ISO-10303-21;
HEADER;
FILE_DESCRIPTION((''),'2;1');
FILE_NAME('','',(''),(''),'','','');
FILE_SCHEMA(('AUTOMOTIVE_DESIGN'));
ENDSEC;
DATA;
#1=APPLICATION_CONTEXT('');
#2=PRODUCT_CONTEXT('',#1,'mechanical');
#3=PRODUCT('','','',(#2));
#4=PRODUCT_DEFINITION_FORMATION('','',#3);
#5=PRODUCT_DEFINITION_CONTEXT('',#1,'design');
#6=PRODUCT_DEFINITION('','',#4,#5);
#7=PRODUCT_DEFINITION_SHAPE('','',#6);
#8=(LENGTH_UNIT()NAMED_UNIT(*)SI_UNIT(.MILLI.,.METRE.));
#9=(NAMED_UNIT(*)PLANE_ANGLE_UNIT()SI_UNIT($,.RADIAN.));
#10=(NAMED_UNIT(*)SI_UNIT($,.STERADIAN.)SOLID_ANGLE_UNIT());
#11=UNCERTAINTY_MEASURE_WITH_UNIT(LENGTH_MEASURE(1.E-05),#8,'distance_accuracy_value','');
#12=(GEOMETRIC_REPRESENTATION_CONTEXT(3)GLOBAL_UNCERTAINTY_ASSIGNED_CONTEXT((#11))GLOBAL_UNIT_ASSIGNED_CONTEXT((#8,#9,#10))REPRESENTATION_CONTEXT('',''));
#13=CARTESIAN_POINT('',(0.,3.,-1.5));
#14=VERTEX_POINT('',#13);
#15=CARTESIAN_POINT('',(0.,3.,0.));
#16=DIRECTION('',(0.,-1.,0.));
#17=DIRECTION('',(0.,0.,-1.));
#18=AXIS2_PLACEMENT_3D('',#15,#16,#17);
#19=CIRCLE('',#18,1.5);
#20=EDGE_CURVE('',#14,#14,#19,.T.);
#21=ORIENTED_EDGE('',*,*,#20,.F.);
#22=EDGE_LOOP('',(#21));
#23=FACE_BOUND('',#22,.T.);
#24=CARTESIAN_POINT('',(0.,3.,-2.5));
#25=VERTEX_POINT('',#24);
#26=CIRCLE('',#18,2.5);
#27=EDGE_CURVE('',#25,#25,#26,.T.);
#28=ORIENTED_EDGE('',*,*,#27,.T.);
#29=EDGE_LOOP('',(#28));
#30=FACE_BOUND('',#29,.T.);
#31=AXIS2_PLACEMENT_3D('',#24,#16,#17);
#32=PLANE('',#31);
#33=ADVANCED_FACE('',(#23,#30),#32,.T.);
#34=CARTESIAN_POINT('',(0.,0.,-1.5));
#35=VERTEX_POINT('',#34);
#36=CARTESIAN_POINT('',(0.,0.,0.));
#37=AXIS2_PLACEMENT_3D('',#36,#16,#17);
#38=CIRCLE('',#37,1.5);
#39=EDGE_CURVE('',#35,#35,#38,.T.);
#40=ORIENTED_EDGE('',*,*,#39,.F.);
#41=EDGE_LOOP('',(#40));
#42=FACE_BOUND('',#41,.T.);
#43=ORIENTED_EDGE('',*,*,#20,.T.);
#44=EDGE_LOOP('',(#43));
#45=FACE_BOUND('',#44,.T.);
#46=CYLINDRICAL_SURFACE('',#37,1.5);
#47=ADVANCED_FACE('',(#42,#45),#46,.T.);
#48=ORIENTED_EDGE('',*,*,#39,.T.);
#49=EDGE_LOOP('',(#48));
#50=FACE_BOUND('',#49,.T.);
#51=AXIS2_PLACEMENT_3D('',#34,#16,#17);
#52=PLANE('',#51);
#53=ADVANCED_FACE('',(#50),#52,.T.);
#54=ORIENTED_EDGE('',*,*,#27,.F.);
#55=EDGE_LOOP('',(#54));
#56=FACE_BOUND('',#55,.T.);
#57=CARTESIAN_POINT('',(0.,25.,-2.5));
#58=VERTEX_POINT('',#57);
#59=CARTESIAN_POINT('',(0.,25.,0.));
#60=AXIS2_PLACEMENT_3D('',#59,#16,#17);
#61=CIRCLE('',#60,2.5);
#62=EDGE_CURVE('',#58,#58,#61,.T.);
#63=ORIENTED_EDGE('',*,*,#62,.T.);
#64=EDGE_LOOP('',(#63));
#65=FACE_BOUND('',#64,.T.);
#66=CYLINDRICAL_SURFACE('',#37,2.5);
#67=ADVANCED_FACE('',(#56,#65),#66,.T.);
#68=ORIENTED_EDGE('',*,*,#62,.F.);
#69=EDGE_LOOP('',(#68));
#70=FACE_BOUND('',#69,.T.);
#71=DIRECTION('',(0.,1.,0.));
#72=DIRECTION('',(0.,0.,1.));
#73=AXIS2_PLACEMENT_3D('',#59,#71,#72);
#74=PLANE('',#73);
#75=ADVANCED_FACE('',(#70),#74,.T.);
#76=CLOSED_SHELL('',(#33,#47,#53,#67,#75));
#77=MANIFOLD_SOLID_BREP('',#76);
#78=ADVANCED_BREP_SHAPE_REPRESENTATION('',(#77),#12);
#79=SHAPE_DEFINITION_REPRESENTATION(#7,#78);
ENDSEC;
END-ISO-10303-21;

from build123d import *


with BuildPart() as part:
    # Sketch1 → Revolve1 (revolve)
    with BuildSketch(Plane(origin=(0, 0, 0), x_dir=(0, 0, -1), z_dir=(1, 0, 0))):
        Polygon((0, 0), (0, 25), (2.5, 25), (2.5, 3), (1.5, 3), (1.5, 0), align=None)
    revolve(axis=Axis((0, 0, 0), (0, 1, 0)))


solid = part.part
